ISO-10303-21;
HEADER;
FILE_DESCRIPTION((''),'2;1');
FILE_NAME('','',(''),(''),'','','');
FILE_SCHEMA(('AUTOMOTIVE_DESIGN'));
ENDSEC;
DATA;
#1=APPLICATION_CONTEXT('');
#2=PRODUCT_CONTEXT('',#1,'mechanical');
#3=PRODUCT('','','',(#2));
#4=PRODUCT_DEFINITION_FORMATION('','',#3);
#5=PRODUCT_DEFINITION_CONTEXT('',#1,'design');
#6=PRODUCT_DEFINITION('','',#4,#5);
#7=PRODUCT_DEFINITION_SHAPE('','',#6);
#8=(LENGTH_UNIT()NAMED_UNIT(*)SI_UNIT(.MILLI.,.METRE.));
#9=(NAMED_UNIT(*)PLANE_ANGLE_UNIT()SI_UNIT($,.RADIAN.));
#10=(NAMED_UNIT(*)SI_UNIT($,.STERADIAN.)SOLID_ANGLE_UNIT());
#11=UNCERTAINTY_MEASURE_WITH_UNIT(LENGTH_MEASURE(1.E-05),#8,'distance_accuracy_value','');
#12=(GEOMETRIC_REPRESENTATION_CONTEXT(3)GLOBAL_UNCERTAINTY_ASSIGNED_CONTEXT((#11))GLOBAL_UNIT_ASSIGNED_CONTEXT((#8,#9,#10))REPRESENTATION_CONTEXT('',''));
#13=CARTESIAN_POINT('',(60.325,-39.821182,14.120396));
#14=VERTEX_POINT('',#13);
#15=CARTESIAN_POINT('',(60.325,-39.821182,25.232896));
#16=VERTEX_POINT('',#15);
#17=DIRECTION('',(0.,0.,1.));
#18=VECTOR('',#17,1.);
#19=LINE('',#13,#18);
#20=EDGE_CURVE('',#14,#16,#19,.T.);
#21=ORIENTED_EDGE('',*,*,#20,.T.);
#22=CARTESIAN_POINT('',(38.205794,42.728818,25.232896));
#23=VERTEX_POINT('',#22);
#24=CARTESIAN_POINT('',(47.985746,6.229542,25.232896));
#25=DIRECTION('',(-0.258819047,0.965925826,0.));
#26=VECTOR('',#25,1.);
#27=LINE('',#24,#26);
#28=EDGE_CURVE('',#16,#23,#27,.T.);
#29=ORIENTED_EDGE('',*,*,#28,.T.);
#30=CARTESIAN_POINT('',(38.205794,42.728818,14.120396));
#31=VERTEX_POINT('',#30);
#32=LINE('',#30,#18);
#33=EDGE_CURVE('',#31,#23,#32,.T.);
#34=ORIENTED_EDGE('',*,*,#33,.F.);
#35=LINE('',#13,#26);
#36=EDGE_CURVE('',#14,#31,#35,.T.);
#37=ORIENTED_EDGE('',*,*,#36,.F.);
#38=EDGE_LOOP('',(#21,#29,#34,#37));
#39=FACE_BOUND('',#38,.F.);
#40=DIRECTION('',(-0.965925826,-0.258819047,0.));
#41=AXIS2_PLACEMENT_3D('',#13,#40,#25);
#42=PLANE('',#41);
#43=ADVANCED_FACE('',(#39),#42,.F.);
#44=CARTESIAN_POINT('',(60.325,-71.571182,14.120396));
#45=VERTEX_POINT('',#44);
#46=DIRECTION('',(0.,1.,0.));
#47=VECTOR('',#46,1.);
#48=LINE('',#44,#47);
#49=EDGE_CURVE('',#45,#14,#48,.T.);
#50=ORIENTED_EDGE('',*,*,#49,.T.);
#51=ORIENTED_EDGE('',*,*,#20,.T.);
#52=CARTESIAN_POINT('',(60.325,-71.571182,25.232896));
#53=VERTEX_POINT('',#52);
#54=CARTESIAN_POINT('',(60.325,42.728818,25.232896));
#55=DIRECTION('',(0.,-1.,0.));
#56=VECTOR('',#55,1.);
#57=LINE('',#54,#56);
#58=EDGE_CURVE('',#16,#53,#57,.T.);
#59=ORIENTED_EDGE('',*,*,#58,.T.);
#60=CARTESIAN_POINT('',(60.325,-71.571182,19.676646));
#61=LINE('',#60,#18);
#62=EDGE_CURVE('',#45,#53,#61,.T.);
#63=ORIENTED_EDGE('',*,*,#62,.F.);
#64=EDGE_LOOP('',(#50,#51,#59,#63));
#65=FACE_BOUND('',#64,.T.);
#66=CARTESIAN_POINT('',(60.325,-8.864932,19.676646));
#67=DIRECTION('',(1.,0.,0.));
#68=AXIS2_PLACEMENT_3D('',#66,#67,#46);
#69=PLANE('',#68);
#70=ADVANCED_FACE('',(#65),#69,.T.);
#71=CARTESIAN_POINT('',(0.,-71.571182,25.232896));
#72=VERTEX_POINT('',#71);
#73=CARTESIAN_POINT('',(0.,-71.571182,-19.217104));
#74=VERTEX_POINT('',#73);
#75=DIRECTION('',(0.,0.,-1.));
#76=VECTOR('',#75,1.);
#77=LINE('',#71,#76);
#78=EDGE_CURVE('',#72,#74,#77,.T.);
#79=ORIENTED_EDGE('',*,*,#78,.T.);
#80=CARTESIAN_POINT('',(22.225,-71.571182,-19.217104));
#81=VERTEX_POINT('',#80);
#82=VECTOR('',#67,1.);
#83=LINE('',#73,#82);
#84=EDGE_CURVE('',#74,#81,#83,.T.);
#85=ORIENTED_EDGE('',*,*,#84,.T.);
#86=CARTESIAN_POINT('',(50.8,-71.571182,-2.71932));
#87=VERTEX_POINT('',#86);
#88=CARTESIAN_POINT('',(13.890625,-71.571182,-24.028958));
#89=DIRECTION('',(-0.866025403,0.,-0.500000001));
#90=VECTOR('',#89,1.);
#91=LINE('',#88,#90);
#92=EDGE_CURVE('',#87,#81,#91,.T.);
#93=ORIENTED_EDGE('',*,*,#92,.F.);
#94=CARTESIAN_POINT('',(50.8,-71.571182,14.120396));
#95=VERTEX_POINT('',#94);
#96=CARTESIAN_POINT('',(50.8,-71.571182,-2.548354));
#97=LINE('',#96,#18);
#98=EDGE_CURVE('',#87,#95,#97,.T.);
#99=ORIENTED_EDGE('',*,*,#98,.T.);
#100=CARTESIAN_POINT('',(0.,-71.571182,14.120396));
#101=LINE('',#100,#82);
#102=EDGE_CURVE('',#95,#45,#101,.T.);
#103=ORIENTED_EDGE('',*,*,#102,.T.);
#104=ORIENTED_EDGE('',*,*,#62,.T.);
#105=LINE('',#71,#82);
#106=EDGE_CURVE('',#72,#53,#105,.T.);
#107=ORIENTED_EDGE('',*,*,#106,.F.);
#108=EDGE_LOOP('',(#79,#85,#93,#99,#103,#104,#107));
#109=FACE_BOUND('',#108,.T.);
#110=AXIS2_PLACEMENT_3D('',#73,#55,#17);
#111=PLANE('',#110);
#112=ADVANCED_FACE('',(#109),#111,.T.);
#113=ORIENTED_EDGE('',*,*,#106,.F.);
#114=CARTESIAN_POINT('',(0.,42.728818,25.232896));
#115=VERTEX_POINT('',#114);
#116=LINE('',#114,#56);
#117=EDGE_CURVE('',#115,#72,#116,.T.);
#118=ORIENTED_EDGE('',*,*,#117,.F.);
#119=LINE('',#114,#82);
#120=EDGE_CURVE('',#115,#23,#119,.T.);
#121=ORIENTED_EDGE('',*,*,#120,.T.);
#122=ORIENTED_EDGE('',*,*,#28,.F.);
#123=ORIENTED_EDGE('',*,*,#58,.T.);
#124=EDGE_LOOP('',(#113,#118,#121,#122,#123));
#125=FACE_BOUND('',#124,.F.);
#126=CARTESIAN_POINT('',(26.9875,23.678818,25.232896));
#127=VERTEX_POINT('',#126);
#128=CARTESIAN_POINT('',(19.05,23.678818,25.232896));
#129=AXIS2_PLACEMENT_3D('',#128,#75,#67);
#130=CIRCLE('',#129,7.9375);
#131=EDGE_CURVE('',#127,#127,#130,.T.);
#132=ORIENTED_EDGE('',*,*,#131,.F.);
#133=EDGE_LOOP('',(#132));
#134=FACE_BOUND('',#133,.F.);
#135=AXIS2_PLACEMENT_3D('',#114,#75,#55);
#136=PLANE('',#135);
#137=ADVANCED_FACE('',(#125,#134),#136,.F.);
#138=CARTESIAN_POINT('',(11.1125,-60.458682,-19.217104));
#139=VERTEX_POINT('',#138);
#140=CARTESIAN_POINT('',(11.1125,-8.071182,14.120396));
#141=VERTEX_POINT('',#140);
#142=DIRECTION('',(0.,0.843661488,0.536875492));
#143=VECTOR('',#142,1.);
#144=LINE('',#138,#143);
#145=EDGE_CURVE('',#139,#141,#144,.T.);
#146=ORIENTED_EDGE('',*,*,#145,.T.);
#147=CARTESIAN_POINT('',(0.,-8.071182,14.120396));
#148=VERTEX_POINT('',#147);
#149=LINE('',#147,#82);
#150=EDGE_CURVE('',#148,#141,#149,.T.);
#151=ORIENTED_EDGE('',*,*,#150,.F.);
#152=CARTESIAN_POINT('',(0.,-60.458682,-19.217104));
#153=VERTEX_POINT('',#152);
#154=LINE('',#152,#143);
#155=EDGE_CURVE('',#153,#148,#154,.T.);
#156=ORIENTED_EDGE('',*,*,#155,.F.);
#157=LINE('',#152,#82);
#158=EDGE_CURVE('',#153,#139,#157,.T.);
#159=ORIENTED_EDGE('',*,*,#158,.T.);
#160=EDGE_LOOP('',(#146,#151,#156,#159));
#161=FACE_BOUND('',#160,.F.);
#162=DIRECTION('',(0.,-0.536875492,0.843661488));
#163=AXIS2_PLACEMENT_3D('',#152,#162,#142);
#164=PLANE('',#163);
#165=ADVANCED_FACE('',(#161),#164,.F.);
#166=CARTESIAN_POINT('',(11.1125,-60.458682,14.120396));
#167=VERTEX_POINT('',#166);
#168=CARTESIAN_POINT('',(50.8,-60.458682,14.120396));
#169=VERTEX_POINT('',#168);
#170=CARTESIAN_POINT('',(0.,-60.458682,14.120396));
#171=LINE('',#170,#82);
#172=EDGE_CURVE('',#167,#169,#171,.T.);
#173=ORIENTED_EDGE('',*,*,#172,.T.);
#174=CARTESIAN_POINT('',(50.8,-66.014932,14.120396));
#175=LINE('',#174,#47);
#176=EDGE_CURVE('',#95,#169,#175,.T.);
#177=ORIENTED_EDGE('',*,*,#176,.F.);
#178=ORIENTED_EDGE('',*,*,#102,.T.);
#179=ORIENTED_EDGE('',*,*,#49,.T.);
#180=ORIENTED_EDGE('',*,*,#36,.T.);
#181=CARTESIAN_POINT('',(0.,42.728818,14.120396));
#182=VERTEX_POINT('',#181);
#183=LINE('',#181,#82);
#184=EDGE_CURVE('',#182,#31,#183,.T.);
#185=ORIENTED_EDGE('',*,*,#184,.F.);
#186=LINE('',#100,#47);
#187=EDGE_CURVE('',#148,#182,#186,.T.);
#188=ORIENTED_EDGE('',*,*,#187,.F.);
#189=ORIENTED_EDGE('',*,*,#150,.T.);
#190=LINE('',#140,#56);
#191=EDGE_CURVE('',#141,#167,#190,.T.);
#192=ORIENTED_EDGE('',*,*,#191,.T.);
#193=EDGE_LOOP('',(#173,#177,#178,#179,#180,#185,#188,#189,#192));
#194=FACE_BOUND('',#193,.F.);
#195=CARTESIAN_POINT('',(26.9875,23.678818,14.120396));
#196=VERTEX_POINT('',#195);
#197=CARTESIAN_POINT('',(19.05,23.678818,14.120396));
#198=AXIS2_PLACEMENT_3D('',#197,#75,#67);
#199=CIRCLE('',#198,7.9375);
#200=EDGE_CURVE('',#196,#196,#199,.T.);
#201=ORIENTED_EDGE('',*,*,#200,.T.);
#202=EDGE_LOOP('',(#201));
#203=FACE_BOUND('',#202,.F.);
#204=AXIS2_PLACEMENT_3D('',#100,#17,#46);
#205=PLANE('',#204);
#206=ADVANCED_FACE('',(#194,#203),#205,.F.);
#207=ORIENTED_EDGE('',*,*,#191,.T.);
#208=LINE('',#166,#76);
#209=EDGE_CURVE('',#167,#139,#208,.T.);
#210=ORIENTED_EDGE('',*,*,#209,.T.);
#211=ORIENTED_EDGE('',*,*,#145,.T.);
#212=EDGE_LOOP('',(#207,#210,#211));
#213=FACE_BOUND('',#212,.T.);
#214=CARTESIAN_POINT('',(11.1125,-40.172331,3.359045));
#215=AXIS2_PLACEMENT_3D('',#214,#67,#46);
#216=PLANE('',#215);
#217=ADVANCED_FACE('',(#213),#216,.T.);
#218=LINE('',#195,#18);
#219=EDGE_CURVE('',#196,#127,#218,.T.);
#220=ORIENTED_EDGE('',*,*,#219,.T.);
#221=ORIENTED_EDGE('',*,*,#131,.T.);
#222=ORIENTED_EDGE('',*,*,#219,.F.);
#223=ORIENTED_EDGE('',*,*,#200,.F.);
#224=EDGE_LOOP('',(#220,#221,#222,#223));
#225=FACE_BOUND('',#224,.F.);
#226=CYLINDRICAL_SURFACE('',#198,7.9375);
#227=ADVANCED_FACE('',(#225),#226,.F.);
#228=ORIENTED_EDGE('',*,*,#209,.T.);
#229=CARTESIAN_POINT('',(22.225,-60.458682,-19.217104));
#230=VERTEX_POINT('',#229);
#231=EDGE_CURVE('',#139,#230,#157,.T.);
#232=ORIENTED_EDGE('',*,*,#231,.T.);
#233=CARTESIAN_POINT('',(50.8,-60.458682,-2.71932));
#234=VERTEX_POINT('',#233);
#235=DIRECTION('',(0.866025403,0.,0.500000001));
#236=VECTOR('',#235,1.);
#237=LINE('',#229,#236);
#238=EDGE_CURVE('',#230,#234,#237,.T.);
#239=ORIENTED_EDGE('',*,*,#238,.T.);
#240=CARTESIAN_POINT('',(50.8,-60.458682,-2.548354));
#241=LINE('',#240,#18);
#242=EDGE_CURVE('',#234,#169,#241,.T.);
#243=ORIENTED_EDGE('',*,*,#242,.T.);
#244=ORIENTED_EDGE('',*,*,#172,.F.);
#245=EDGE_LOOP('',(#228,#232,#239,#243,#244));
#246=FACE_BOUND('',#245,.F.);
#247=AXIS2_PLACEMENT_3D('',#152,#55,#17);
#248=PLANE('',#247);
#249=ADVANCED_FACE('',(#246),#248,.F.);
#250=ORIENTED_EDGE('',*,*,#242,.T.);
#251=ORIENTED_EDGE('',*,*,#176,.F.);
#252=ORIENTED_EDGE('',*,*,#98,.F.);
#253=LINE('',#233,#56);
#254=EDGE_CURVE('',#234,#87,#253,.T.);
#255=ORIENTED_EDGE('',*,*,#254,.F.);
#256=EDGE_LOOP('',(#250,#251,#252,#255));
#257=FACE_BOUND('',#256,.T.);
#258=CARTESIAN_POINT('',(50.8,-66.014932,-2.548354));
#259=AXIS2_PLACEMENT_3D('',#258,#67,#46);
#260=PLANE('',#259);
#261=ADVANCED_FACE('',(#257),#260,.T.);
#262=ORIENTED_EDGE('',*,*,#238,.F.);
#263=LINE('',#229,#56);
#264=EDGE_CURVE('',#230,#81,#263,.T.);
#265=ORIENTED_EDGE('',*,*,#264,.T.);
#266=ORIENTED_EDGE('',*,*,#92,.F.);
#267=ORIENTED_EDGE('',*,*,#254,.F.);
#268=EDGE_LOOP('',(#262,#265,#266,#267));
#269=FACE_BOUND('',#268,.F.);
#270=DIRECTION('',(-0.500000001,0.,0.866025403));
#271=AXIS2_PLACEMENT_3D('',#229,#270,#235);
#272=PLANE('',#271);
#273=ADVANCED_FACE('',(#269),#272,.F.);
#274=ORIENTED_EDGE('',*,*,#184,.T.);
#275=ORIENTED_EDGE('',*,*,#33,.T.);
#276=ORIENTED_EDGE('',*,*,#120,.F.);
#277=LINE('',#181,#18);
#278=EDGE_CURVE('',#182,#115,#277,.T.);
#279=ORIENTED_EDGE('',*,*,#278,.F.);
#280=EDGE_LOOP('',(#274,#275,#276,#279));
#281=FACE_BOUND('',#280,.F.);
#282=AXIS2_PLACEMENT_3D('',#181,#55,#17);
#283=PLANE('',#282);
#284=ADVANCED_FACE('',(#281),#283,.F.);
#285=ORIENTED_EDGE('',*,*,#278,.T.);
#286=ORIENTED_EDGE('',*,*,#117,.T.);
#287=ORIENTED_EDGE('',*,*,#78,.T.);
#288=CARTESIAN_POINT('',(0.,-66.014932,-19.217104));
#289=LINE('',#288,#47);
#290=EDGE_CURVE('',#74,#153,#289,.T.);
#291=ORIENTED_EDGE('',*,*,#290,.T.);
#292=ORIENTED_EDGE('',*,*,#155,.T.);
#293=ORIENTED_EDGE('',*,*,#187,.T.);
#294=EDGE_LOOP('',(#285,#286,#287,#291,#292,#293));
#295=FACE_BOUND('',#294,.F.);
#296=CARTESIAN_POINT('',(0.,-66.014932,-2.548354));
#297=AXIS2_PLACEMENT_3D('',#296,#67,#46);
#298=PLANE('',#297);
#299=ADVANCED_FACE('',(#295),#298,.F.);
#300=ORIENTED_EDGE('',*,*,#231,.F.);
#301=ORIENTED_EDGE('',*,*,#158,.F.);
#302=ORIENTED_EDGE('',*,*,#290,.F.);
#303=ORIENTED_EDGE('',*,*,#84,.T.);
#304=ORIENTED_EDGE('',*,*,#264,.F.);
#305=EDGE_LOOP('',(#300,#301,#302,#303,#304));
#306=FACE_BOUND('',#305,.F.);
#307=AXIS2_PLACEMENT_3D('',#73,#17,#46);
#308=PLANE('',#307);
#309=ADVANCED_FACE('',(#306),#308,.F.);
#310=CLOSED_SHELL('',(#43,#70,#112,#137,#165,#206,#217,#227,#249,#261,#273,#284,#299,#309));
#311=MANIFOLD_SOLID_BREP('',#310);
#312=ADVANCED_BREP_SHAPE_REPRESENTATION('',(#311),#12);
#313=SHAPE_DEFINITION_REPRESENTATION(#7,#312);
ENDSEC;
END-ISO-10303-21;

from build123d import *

# Parameters (mm, degrees)
F1_DEPTH = 11.1125
F0_W     = 11.1125
F0_H     = 11.1125
F2_DEPTH = 60.325
F0_H_2   = 33.3375
F3_DEPTH = 50.8
F5_DEPTH = 25.4
F4_R     = 7.9375
F7_DEPTH = 25.4
F8_DEPTH = 25.4


with BuildPart() as f1:
    # F0 (on Right) → F1 (new body)
    with BuildSketch(Plane.YZ):
        Polygon((-8.071182, 14.120396), (-60.458682, 14.120396), (-60.458682, -19.217104), align=None)
    extrude(amount=F1_DEPTH)

    # F0 (on Right) → F2 (join)
    with BuildSketch(Plane.YZ):
        Polygon((42.728818, 25.232896), (-60.458682, 25.232896), (-60.458682, 14.120396), (-8.071182, 14.120396), (42.728818, 14.120396), align=None)
        with Locations((-66.014932, 19.676646)):
            Rectangle(F0_W, F0_H)
    extrude(amount=F2_DEPTH)

    # F0 (on Right) → F3 (join)
    with BuildSketch(Plane.YZ):
        with Locations((-66.014932, -2.548354)):
            Rectangle(F0_W, F0_H_2)
    extrude(amount=F3_DEPTH)

    # F4 (on face) → F5 (cut)
    with BuildSketch(Plane(origin=(0, 0, 14.120396), x_dir=(1, 0, 0), z_dir=(0, 0, -1))):
        Polygon((60.325, -42.728818), (60.325, 39.821182), (38.205794, -42.728818), align=None)
    extrude(amount=-F5_DEPTH, mode=Mode.SUBTRACT)

    # F4 (on face) → F7 (cut)
    with BuildSketch(Plane(origin=(0, 0, 14.120396), x_dir=(1, 0, 0), z_dir=(0, 0, -1))):
        with Locations((19.05, -23.678818)):
            Circle(F4_R)
    extrude(amount=-F7_DEPTH, mode=Mode.SUBTRACT)

    # F6 (on face) → F8 (cut)
    with BuildSketch(Plane(origin=(0, -60.458682, 0), x_dir=(-1, 0, 0), z_dir=(0, 1, 0))):
        Polygon((-50.8, -19.217104), (-22.225, -19.217104), (-50.8, -2.71932), align=None)
    extrude(amount=-F8_DEPTH, mode=Mode.SUBTRACT)


with BuildPart() as f9_1:
    # F9: copy of F1
    add(f1.part)


solid = f1.part
